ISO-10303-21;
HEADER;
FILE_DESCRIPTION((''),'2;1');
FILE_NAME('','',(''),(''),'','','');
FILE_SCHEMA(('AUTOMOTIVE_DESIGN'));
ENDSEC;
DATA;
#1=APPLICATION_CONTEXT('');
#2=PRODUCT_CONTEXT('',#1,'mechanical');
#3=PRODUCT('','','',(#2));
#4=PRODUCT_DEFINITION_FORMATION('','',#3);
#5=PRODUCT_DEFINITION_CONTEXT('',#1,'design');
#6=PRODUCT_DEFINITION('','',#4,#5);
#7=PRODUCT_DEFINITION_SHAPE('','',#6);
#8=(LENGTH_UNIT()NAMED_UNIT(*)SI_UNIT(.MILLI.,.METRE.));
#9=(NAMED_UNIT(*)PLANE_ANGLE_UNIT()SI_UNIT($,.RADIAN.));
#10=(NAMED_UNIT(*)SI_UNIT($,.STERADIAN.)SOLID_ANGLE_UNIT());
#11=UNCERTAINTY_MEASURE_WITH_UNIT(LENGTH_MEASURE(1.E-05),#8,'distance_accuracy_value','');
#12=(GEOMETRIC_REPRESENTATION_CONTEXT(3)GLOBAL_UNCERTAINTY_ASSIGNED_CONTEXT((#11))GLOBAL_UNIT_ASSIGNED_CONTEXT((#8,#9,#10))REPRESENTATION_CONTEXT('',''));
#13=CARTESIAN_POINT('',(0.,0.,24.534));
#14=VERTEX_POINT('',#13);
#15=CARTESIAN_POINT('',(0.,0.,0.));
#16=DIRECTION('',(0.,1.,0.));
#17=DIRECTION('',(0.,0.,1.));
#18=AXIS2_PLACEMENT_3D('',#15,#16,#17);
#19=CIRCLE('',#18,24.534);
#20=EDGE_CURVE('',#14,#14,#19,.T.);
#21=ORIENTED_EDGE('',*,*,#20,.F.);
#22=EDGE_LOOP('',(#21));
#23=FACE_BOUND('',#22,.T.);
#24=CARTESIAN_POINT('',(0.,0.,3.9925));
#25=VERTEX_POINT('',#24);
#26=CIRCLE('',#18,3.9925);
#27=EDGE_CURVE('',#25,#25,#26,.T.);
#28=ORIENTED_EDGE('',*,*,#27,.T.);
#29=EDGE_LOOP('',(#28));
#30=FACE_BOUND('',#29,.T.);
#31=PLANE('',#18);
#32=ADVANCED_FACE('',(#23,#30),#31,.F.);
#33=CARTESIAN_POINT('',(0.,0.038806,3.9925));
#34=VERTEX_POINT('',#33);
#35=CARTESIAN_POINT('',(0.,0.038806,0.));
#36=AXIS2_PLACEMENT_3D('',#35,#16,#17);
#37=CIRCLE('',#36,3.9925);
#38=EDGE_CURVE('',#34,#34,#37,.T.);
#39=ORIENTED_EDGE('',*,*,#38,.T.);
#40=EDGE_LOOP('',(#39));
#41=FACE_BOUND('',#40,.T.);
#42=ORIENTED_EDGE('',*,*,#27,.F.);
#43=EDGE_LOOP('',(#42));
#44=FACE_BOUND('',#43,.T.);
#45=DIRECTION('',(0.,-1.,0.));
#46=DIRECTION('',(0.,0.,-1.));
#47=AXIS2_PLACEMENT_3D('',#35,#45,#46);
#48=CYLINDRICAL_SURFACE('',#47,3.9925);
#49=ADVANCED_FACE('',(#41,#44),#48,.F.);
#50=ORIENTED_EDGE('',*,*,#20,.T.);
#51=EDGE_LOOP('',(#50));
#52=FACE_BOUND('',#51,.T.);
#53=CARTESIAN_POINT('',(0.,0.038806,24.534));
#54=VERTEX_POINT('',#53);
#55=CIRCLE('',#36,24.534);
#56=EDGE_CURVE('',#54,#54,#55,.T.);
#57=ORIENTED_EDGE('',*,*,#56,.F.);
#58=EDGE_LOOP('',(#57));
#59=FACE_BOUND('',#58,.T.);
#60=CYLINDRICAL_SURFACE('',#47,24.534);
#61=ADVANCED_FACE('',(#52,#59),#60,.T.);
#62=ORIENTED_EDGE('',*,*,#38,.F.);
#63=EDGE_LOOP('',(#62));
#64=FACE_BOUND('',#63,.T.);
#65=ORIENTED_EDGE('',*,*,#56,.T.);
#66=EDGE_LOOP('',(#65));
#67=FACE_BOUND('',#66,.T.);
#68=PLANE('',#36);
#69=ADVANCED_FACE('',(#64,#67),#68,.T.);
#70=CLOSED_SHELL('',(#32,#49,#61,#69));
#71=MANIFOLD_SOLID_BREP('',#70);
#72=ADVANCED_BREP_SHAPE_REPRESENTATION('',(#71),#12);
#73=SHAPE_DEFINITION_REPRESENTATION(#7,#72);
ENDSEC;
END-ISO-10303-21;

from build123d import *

# Parameters (mm, degrees)
SKETCH1_R           = 24.534
SKETCH1_R_2         = 3.9925
BOSS_EXTRUDE1_DEPTH = 0.038805556


with BuildPart() as part:
    # Sketch1 → Boss-Extrude1 (new body)
    with BuildSketch(Plane(origin=(0, 0, 0), x_dir=(1, 0, 0), z_dir=(0, 1, 0))):
        with Locations(Location((0, 0, 0), (0, 0, 270))):
            Circle(SKETCH1_R)
        with Locations(Location((0, 0, 0), (0, 0, 270))):
            Circle(SKETCH1_R_2, mode=Mode.SUBTRACT)
    extrude(amount=BOSS_EXTRUDE1_DEPTH)


solid = part.part
